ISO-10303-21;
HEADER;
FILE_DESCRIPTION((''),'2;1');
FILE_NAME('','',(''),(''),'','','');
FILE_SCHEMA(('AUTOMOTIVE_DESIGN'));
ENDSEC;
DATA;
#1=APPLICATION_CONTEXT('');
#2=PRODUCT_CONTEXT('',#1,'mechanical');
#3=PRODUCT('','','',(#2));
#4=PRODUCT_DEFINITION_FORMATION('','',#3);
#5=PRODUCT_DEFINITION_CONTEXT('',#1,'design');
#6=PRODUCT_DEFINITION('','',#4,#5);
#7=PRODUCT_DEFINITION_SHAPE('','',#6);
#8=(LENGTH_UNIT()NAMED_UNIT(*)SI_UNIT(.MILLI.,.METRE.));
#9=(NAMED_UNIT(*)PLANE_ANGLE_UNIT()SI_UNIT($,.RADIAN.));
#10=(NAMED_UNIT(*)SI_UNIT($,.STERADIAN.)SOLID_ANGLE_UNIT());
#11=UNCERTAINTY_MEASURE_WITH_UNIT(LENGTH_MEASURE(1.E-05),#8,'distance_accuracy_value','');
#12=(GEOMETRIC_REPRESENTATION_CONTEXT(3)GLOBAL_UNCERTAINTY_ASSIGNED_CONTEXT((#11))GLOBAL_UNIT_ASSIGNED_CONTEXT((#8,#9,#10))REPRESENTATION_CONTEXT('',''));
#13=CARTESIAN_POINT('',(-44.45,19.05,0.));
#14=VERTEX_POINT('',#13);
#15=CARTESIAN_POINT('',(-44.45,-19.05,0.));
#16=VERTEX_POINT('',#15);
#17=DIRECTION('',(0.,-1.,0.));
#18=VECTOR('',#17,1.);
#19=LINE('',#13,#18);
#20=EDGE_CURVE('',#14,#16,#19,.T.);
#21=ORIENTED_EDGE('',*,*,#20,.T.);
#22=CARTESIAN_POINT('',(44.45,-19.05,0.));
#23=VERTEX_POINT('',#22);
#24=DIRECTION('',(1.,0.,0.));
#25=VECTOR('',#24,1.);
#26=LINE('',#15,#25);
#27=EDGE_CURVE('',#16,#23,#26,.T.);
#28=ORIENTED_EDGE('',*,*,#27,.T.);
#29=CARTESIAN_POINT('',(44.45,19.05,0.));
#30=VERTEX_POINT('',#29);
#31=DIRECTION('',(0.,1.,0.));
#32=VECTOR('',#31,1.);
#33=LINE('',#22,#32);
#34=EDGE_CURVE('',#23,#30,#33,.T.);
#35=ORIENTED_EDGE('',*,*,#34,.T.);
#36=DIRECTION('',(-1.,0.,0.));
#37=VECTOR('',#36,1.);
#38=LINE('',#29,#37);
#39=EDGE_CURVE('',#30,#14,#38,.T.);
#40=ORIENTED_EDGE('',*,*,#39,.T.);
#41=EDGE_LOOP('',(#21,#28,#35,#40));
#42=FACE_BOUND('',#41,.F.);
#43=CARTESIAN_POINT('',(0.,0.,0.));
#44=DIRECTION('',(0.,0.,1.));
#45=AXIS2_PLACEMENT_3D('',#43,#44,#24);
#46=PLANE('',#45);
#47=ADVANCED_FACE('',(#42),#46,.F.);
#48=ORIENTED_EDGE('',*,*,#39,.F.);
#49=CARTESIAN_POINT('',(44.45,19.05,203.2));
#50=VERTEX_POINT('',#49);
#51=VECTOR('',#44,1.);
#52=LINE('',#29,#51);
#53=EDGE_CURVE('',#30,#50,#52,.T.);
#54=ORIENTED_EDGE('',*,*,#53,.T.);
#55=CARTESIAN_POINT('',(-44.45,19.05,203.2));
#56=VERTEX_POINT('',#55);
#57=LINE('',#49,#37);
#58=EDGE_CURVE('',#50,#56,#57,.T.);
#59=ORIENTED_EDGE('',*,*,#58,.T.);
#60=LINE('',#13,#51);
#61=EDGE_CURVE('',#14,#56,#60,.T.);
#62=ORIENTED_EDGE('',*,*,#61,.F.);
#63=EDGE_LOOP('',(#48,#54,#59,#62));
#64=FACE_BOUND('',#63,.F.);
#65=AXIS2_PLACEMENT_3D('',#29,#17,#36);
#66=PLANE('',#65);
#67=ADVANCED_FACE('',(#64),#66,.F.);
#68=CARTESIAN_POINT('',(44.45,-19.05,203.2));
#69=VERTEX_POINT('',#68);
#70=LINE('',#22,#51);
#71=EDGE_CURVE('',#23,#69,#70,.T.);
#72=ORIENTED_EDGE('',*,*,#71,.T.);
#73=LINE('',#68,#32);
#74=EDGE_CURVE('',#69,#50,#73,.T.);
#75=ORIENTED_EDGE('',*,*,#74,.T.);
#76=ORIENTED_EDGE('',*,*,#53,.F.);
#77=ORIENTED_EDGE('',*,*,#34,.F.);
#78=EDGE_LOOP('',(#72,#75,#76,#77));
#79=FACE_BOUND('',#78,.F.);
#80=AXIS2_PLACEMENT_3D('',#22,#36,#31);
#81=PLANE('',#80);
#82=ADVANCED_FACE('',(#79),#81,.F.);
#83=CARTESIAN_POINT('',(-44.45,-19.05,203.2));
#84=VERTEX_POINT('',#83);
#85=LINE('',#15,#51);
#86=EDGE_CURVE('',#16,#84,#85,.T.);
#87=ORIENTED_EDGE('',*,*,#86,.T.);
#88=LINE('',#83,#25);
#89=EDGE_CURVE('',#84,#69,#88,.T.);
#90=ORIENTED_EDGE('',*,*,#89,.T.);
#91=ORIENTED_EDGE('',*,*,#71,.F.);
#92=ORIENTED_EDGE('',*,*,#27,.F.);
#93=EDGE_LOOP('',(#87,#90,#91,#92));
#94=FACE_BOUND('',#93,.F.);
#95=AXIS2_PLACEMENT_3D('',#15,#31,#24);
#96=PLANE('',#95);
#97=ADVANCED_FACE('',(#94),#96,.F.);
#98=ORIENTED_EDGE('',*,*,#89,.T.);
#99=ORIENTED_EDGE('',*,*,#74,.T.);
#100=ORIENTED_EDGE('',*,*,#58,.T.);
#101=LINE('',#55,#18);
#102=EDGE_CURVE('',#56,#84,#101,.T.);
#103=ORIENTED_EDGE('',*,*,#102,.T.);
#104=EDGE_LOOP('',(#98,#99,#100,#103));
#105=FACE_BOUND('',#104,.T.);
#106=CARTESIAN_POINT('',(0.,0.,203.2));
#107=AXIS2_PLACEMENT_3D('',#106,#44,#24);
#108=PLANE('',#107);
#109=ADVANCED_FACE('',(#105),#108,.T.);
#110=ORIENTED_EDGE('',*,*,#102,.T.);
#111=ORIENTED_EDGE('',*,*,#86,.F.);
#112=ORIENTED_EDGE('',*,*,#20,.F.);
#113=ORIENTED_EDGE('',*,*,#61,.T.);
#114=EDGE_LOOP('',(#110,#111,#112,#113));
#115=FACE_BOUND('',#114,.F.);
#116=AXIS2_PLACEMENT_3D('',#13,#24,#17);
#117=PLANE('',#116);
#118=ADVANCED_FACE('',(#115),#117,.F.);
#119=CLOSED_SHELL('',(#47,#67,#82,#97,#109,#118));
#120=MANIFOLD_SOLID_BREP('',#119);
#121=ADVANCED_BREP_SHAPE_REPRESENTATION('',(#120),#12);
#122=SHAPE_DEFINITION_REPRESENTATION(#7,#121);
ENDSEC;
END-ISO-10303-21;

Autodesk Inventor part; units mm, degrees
ref_plane "YZ Plane" through (0, 0, 0) normal (1, 0, 0) x (0, 1, 0)
ref_plane "XZ Plane" through (0, 0, 0) normal (0, 1, 0) x (-1, 0, 0)
ref_plane "XY Plane" through (0, 0, 0) normal (0, 0, 1) x (1, 0, 0)
sketch "Sketch1" plane through (0, 0, 0) normal (0, 0, 1) x (1, 0, 0)
  line L0 (-44.45, -19.05) -> (44.45, -19.05)
  line L1 (44.45, -19.05) -> (44.45, 19.05)
  line L2 (44.45, 19.05) -> (-44.45, 19.05)
  line L3 (-44.45, 19.05) -> (-44.45, -19.05)
  line L4 (-44.45, -19.05) -> (44.45, 19.05) construction
  line L5 (44.45, -19.05) -> (-44.45, 19.05) construction
  point P0 (0, 0)
  dimension "d0" = 88.9
  dimension "d1" = 38.1
extrude "Extrusion1" add sketch "Sketch1" along normal blind 203.2
properties part number "2x4x8.5"
